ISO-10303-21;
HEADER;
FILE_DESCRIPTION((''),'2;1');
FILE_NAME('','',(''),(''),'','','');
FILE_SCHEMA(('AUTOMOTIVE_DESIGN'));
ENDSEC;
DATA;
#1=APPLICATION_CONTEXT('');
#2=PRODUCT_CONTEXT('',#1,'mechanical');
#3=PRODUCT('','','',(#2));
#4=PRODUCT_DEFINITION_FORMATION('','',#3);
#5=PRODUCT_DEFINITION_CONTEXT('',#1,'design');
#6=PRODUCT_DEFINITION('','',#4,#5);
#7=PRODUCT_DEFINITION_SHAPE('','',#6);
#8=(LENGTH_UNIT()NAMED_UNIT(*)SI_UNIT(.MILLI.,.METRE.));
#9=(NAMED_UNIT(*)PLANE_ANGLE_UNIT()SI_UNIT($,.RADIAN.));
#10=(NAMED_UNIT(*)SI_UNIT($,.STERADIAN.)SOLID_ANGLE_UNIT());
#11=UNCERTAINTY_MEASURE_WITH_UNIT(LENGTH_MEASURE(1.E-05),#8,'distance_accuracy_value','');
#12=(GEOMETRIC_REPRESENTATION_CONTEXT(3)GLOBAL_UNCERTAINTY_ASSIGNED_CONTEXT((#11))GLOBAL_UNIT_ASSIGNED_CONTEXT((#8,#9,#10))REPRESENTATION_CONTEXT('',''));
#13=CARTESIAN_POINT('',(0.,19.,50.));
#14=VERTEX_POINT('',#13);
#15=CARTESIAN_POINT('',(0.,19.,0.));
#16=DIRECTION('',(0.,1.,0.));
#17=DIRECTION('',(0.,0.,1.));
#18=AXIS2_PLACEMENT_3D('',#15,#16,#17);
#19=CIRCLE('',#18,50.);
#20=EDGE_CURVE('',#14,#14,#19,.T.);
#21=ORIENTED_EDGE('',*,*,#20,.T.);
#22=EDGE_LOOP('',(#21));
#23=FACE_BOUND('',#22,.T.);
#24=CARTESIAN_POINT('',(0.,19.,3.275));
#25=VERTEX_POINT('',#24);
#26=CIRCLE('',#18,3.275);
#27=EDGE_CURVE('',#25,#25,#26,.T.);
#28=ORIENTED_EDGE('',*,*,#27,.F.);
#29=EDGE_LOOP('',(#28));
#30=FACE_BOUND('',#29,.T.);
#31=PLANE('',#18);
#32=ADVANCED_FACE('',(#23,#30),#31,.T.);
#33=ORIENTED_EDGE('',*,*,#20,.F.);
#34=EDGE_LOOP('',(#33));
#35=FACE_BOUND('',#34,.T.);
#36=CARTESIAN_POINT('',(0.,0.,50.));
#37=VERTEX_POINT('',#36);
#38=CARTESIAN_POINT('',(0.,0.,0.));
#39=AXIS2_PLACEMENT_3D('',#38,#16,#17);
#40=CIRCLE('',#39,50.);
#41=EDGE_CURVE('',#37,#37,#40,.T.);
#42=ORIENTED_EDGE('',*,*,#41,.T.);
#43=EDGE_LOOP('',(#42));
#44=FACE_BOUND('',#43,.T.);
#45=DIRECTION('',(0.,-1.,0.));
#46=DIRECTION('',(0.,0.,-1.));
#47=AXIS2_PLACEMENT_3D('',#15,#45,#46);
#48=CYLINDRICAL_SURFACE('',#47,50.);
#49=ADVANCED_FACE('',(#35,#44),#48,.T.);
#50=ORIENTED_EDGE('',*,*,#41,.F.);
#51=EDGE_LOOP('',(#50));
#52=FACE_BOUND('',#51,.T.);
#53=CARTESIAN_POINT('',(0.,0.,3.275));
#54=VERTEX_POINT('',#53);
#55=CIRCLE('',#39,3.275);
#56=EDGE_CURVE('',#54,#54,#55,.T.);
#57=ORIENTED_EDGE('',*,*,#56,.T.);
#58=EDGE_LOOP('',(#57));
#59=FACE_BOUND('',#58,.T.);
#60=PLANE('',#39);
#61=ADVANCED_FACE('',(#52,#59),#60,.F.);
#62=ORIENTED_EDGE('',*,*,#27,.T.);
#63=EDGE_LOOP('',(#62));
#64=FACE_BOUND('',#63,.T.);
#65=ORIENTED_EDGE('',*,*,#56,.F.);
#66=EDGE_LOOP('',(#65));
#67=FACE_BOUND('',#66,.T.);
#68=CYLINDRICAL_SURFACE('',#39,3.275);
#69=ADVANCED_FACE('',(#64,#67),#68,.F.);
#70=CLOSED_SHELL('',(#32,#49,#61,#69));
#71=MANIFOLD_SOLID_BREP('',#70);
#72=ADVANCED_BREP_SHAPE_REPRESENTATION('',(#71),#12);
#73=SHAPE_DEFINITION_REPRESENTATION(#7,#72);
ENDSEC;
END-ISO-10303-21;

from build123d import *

# Parameters (mm, degrees)
SKETCH1_R           = 50
BOSS_EXTRUDE1_DEPTH = 19
SKETCH2_R           = 3.275
CUT_EXTRUDE2_DEPTH  = 20


with BuildPart() as part:
    # Sketch1 → Boss-Extrude1 (new body)
    with BuildSketch(Plane(origin=(0, 0, 0), x_dir=(1, 0, 0), z_dir=(0, 1, 0))):
        Circle(SKETCH1_R)
    extrude(amount=BOSS_EXTRUDE1_DEPTH)

    # Sketch2 → Cut-Extrude2 (cut, through all)
    with BuildSketch(Plane(origin=(0, 19, 0), x_dir=(1, 0, 0), z_dir=(0, 1, 0))):
        Circle(SKETCH2_R)
    extrude(amount=-CUT_EXTRUDE2_DEPTH, mode=Mode.SUBTRACT)


solid = part.part
